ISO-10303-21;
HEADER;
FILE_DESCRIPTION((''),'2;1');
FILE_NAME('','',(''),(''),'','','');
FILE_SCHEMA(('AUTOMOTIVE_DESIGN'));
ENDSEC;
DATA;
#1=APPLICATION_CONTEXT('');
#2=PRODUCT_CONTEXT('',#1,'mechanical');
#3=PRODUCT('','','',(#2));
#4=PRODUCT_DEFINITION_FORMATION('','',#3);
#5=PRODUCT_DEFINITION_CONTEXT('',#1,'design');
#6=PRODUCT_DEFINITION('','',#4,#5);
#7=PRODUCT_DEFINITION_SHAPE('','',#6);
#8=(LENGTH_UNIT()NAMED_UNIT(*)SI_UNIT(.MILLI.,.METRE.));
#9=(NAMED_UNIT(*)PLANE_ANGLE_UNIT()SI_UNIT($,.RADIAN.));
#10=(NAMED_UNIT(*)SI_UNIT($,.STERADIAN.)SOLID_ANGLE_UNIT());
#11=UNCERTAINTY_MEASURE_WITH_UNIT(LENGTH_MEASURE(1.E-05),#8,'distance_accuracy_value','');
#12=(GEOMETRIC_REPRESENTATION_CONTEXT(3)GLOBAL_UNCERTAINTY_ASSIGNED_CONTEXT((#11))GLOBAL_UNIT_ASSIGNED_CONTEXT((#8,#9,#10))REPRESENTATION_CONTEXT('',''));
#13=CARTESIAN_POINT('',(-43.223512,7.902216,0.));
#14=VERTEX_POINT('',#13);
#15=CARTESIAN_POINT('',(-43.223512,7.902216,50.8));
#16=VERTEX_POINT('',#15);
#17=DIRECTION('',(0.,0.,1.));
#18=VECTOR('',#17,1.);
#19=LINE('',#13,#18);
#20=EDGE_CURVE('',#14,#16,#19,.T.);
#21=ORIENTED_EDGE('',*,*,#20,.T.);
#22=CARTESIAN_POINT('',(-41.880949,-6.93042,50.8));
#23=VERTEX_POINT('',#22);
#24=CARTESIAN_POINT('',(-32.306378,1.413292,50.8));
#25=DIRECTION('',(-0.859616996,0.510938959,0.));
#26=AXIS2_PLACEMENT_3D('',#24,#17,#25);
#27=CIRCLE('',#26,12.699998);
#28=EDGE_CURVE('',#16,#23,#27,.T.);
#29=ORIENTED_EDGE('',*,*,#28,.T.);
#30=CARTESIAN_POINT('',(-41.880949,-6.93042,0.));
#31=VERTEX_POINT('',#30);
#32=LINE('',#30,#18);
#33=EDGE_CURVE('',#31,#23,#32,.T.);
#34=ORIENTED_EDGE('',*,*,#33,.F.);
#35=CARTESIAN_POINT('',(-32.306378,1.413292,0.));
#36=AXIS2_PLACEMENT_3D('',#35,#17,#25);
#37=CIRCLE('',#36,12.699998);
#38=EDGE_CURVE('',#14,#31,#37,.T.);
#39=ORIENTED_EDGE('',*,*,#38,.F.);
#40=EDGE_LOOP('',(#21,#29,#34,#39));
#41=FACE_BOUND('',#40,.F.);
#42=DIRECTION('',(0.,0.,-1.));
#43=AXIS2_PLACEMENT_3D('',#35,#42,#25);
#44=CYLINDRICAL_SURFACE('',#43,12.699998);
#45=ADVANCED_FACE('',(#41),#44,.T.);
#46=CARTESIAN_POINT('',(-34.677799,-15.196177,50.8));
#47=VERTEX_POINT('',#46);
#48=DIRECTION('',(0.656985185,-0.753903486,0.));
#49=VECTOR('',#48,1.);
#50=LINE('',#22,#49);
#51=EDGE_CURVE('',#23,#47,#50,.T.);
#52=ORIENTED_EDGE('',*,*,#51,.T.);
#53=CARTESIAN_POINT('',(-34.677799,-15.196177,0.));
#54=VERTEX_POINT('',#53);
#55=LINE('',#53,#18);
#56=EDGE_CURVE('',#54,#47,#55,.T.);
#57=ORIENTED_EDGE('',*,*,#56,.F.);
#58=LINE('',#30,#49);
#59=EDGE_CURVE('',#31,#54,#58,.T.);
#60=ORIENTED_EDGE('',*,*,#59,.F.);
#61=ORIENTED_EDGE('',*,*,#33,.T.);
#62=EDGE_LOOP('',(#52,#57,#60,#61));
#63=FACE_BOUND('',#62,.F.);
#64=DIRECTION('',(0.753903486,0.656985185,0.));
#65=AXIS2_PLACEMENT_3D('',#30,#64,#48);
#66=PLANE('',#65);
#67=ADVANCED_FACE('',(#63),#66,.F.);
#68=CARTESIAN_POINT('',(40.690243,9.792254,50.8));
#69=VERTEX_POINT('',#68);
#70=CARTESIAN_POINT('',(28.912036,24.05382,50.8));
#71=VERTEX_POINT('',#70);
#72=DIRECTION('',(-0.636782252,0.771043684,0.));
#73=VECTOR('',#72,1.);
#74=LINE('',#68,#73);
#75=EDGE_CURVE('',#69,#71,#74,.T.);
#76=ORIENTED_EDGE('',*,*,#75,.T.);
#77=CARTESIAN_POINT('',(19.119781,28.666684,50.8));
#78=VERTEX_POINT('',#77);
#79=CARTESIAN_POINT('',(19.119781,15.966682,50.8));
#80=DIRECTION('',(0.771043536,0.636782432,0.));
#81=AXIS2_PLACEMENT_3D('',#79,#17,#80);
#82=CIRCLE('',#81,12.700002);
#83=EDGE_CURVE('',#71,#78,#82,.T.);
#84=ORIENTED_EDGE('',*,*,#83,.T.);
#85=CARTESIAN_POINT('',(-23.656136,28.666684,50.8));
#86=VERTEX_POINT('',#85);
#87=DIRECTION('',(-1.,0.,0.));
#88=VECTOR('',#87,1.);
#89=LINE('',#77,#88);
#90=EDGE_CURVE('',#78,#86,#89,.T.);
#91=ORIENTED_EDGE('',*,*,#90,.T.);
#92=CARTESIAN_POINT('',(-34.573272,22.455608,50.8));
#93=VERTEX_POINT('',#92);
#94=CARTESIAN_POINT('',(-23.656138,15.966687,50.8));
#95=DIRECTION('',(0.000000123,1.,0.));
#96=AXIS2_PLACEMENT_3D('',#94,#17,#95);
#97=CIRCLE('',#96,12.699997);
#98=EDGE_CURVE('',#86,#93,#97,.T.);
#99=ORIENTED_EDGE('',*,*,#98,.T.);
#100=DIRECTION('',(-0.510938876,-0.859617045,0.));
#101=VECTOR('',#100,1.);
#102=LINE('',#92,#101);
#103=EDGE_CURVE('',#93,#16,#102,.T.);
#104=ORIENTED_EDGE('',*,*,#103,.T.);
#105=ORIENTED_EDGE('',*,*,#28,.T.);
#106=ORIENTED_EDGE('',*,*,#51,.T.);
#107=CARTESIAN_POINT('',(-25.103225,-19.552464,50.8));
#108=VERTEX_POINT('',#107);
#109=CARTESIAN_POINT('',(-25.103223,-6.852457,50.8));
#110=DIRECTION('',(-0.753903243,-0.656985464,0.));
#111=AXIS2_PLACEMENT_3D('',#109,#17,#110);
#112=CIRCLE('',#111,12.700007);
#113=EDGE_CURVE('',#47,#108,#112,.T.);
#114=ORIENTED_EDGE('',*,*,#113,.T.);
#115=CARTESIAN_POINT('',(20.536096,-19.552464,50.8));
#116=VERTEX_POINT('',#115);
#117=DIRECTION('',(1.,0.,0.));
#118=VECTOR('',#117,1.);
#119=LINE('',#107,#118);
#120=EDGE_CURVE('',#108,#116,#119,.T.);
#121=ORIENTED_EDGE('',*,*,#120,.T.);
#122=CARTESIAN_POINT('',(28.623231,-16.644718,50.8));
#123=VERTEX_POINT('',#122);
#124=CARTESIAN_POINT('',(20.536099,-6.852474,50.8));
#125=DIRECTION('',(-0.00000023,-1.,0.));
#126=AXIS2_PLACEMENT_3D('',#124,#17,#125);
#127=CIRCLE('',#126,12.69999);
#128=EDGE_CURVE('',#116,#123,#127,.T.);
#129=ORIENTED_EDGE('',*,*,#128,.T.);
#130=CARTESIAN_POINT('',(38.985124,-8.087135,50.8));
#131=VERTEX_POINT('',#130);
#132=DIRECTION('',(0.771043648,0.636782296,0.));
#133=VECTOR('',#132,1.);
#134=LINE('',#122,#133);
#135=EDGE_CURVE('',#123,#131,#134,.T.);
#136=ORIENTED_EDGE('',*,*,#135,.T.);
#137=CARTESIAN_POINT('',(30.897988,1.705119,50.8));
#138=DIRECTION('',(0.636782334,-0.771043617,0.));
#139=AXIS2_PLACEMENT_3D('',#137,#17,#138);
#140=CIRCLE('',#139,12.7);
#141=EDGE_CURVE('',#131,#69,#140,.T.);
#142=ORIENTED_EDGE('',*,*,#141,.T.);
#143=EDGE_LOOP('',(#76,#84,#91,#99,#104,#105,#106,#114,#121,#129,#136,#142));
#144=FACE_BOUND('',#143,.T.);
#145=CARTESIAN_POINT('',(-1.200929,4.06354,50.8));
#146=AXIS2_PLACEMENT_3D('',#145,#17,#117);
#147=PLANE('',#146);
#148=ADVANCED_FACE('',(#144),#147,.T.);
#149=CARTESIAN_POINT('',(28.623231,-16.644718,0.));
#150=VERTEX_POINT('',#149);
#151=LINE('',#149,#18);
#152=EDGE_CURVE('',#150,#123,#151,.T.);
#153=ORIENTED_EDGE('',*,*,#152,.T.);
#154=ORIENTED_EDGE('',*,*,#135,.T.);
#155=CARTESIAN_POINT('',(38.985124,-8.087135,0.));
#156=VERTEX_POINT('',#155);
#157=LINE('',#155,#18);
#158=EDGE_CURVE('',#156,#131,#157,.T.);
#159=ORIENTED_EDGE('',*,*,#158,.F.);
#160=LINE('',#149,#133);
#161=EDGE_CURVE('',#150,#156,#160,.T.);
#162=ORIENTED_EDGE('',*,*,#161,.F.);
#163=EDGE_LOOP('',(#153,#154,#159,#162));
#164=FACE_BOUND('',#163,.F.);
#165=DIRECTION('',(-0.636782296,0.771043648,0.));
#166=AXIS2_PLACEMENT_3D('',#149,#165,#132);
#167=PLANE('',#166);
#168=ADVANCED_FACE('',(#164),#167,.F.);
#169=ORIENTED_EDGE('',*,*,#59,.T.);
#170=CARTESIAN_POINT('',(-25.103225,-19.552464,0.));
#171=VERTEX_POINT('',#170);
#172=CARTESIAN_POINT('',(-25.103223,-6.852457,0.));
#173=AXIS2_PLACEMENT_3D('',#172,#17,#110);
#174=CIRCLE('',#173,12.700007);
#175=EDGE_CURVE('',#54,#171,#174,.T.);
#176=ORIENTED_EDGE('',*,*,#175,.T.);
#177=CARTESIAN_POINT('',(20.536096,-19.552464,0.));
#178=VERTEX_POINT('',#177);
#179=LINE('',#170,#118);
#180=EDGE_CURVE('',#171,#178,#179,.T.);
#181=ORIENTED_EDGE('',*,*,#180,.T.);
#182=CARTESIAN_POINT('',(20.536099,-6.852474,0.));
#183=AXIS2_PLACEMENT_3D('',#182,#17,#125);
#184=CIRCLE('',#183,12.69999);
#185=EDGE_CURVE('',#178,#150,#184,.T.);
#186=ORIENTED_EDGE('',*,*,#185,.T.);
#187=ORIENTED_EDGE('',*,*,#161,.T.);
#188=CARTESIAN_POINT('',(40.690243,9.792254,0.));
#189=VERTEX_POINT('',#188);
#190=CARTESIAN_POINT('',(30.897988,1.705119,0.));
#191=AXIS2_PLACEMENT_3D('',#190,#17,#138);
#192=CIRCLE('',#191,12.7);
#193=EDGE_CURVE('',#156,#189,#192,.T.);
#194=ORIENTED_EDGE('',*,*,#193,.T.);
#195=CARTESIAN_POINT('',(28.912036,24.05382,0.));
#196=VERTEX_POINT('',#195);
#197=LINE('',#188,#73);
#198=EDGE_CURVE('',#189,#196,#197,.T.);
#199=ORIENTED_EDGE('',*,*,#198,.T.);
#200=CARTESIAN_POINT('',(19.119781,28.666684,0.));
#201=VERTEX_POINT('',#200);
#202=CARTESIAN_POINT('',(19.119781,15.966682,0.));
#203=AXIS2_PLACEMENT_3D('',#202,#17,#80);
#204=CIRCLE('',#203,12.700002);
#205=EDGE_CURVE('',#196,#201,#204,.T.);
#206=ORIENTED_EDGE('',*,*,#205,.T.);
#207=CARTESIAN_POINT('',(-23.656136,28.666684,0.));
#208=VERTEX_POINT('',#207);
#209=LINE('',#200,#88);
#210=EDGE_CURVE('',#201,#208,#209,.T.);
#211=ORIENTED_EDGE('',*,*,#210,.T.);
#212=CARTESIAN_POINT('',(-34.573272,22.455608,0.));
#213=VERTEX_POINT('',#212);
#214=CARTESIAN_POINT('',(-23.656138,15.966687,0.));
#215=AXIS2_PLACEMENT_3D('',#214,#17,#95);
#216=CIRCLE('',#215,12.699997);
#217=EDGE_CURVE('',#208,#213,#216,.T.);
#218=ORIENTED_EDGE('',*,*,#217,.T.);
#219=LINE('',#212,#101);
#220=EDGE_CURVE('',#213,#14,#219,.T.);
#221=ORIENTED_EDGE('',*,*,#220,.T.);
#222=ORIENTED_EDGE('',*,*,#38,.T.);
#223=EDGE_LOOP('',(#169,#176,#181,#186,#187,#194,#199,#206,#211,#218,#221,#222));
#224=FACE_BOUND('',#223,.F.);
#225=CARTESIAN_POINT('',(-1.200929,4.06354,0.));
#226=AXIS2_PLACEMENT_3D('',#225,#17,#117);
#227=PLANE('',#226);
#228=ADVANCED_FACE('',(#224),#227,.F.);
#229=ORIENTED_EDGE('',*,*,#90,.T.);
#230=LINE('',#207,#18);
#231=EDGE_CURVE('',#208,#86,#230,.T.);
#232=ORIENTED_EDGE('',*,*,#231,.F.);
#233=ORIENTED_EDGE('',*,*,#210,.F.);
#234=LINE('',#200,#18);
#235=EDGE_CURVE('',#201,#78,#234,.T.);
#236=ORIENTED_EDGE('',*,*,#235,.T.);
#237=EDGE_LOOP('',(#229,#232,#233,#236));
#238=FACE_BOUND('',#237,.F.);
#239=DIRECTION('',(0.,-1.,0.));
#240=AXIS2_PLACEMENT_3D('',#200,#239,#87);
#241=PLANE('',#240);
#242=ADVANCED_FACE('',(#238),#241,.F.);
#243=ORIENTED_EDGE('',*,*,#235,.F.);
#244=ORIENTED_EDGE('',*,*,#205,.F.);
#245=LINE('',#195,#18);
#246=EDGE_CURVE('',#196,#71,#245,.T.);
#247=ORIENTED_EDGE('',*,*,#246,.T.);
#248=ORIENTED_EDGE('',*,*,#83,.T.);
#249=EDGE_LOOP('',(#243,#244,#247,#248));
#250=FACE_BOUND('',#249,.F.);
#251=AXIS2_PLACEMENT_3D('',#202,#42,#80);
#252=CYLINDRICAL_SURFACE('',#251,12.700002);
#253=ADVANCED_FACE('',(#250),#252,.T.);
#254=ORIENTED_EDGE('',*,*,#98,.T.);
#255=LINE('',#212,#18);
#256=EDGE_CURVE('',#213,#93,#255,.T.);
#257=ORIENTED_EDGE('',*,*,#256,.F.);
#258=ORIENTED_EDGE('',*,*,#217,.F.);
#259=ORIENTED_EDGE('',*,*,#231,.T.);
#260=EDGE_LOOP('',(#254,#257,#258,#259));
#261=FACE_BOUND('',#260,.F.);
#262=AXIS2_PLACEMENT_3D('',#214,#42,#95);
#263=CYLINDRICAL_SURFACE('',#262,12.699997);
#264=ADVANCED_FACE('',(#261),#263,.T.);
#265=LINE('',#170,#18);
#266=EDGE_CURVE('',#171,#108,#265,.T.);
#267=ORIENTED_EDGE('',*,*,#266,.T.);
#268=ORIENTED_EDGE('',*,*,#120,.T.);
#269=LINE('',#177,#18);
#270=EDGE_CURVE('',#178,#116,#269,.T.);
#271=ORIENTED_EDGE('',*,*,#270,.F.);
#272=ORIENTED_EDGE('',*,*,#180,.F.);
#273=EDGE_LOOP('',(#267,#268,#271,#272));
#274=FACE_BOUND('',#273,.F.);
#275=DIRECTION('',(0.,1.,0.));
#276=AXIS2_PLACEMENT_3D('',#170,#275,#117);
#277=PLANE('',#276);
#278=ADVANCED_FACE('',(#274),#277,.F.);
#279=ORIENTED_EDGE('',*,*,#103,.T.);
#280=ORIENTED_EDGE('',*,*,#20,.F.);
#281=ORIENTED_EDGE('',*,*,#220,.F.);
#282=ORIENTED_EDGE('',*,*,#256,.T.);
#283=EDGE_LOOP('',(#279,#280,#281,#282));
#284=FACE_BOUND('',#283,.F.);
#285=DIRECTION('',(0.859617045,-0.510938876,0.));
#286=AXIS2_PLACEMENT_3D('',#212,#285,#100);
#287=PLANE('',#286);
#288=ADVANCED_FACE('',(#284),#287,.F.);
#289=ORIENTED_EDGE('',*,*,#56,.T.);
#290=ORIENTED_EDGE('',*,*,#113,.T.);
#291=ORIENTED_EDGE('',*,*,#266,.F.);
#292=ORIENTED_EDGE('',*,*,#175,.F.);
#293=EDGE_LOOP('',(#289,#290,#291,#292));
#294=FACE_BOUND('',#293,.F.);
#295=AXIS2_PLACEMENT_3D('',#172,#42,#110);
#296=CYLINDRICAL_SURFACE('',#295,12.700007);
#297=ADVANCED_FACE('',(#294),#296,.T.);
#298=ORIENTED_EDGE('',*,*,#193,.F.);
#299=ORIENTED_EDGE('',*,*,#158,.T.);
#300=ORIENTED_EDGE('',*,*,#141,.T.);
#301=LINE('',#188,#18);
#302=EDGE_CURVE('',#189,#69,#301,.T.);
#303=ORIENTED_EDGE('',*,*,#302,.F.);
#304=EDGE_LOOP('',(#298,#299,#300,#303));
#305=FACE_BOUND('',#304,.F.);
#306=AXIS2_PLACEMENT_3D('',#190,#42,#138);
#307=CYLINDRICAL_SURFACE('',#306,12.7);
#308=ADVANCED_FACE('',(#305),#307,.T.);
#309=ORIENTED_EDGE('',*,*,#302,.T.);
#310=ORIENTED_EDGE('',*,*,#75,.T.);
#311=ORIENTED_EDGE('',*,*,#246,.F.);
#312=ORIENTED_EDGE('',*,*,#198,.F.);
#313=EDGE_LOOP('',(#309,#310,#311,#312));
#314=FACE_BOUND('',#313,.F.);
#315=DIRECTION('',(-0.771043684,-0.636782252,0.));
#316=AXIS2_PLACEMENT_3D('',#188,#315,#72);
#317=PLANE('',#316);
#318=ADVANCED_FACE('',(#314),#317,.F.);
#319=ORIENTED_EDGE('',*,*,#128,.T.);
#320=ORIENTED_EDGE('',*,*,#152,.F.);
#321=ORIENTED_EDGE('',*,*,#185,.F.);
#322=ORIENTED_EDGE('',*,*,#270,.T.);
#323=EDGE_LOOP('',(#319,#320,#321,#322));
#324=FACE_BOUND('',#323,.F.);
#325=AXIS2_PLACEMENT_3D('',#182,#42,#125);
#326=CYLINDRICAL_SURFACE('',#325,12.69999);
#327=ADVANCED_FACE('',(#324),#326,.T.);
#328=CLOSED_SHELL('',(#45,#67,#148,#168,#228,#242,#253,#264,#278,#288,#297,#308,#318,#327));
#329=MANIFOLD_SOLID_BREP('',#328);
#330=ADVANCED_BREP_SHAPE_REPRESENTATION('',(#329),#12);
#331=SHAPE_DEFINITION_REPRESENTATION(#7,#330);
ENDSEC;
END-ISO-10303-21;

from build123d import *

# Parameters (mm, degrees)
F1_DEPTH = 50.8


with BuildPart() as f1:
    # F0 (on Top) → F1 (new body)
    with BuildSketch(Plane.XY):
        with BuildLine():
            Line((-34.573272, 22.455608), (-43.223512, 7.902216))
            ThreePointArc((-43.223512, 7.902216), (-44.954669, 0.268443), (-41.880949, -6.93042))
            Line((-41.880949, -6.93042), (-34.677799, -15.196177))
            ThreePointArc((-34.677799, -15.196177), (-30.362733, -18.412203), (-25.103225, -19.552464))
            Line((-25.103225, -19.552464), (20.536096, -19.552464))
            ThreePointArc((20.536096, -19.552464), (24.833093, -18.80344), (28.623231, -16.644718))
            Line((28.623231, -16.644718), (38.985124, -8.087135))
            ThreePointArc((38.985124, -8.087135), (43.540626, 0.499418), (40.690243, 9.792254))
            Line((40.690243, 9.792254), (28.912036, 24.05382))
            ThreePointArc((28.912036, 24.05382), (24.531961, 27.455736), (19.119781, 28.666684))
            Line((19.119781, 28.666684), (-23.656136, 28.666684))
            ThreePointArc((-23.656136, 28.666684), (-29.93629, 27.005238), (-34.573272, 22.455608))
        make_face()
    extrude(amount=F1_DEPTH)


solid = f1.part
